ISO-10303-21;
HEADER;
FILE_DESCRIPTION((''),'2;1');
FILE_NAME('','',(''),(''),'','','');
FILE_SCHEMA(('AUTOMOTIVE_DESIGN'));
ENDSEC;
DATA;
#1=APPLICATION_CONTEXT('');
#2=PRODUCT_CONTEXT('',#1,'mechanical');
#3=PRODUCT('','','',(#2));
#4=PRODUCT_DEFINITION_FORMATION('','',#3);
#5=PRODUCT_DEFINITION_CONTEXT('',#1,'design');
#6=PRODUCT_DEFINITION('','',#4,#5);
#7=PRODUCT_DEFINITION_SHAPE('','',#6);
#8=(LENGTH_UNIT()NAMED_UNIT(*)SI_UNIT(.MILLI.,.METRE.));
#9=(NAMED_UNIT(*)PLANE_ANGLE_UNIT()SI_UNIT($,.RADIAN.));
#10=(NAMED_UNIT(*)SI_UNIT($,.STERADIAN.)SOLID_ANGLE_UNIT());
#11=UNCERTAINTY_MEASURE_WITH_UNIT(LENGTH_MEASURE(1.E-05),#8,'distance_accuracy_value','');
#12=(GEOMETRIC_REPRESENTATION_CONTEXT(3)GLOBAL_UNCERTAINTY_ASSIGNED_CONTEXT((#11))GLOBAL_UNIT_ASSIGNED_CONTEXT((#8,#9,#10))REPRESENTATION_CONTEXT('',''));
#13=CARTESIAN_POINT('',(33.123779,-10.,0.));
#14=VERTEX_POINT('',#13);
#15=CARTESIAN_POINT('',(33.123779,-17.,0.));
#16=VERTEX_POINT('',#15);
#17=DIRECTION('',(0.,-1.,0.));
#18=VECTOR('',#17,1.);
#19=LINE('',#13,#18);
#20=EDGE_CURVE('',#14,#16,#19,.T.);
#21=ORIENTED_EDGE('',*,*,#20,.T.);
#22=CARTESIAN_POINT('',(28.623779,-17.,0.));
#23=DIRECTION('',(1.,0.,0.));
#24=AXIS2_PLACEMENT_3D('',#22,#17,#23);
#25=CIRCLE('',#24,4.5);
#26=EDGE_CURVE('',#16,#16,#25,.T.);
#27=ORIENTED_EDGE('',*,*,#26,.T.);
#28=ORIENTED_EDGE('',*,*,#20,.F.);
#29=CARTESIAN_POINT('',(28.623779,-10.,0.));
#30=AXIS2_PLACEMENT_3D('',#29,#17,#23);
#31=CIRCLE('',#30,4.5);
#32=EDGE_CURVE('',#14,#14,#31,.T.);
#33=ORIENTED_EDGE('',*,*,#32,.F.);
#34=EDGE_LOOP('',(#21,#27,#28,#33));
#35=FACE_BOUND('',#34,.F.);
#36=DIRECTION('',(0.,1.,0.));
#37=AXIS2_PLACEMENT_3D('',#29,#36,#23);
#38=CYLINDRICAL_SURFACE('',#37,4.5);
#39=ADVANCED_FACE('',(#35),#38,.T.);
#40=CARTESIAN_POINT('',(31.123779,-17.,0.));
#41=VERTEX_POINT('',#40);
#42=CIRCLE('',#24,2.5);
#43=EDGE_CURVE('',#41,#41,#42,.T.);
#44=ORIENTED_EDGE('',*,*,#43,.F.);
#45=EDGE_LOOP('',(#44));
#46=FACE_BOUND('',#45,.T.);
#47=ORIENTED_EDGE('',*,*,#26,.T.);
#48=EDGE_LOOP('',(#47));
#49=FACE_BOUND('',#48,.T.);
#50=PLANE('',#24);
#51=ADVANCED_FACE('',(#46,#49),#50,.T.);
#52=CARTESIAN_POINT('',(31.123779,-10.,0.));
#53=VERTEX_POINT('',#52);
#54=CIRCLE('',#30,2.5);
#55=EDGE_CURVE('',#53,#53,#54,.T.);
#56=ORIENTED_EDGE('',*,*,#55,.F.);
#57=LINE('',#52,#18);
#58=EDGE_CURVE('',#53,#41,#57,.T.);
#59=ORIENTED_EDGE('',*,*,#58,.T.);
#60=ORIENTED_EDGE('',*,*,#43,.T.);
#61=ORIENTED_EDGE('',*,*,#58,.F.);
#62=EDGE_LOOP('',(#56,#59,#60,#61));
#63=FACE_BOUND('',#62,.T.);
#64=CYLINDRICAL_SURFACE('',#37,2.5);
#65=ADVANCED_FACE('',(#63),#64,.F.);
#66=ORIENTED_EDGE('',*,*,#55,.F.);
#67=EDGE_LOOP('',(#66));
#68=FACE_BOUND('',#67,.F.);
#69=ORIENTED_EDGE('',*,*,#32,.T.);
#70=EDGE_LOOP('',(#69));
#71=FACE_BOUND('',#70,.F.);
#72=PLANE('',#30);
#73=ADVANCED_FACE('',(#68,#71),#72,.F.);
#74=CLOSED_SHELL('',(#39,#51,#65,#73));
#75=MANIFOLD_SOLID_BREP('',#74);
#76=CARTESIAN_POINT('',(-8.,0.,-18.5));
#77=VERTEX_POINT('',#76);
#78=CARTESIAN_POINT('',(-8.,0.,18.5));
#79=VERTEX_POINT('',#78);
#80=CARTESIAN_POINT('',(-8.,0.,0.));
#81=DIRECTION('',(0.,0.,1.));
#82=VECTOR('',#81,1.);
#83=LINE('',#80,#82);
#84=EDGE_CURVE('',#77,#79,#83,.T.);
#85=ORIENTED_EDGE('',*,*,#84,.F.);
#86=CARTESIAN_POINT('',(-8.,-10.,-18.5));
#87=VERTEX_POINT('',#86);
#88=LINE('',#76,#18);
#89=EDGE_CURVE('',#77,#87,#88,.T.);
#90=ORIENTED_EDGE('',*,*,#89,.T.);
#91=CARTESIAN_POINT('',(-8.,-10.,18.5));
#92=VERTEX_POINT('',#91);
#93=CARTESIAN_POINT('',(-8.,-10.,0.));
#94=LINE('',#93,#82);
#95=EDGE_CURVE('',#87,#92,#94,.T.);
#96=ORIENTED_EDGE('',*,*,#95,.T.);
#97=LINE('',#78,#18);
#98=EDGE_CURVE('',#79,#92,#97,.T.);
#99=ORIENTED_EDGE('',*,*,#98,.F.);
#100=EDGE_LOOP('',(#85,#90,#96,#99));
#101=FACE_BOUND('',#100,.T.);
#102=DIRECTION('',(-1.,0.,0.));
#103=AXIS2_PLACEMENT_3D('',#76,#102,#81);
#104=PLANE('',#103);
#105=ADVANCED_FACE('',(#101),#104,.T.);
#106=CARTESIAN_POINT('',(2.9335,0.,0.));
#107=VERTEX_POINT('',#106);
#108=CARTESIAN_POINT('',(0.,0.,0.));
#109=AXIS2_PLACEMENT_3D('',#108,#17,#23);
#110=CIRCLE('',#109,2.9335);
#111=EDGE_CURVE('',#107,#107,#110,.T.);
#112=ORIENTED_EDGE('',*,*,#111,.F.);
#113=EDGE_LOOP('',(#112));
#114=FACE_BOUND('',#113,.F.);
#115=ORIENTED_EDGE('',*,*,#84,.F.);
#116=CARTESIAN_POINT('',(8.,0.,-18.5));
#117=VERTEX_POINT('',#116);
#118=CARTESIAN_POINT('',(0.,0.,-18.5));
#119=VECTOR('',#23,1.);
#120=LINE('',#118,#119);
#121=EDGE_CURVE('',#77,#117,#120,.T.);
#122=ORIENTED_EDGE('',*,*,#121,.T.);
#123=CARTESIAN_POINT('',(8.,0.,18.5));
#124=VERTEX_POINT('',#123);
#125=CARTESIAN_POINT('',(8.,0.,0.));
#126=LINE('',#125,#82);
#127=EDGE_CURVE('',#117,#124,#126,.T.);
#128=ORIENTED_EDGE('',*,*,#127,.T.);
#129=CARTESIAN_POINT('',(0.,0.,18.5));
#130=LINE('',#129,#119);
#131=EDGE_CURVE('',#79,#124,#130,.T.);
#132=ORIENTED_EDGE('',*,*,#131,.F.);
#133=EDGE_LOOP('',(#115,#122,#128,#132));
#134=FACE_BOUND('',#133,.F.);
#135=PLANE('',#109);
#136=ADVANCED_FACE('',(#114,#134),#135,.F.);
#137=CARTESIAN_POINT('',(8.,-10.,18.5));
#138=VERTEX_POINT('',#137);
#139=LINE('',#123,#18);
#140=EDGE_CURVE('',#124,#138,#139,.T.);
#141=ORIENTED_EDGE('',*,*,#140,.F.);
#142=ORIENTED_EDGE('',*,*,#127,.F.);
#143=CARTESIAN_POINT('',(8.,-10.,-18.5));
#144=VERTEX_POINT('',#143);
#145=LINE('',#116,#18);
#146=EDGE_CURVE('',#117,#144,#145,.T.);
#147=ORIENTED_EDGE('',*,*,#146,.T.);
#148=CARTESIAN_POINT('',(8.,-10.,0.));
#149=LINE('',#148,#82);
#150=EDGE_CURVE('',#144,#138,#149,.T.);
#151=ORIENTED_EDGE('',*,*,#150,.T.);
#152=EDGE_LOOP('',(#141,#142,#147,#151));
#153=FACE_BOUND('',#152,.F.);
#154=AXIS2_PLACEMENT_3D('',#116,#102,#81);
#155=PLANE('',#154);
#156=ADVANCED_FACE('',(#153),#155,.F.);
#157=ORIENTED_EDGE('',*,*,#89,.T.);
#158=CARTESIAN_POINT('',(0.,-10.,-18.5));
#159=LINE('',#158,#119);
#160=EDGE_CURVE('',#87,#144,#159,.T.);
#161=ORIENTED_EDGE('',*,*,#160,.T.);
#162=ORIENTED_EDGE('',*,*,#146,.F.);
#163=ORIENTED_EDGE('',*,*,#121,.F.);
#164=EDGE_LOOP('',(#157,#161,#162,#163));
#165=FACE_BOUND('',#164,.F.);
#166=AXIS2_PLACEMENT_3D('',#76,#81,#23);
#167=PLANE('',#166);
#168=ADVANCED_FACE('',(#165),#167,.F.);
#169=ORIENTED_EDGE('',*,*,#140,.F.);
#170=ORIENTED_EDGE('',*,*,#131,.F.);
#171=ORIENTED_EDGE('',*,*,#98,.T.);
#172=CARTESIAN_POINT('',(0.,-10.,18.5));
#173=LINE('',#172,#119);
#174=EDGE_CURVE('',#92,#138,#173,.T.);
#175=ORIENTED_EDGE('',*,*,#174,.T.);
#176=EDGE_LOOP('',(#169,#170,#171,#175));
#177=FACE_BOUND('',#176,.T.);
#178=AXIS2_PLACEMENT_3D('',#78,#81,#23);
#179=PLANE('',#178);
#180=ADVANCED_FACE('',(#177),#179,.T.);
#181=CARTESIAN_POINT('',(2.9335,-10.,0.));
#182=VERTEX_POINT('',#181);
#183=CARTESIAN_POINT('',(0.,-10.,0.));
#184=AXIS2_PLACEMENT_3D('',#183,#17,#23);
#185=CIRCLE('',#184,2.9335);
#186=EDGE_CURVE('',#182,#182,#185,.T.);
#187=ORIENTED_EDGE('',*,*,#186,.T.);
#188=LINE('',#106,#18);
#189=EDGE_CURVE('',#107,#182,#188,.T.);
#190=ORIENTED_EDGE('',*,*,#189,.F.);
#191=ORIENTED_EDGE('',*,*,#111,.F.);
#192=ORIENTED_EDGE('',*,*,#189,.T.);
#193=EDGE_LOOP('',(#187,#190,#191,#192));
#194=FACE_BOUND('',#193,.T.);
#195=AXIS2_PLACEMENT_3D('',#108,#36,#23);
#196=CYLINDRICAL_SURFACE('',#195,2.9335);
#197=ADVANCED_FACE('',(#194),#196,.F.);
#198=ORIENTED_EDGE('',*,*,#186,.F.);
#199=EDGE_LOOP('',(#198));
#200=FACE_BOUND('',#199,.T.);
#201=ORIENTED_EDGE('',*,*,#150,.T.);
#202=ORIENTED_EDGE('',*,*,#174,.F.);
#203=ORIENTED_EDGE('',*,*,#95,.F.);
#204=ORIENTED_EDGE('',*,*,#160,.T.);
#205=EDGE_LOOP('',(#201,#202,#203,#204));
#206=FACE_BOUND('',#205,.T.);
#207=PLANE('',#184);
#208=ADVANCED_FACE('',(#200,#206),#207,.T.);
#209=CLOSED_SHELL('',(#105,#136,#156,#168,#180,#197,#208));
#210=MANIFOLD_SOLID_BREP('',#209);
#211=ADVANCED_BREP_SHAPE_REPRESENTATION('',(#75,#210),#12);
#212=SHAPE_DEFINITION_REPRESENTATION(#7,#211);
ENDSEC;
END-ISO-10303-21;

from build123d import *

# Parameters (mm, degrees)
F0_W     = 16
F0_H     = 37
F0_R     = 2.9335
F1_DEPTH = 10
F2_R     = 4.5
F2_R_2   = 2.5
F3_DEPTH = 7


with BuildPart() as f1:
    # F0 (on Front) → F1 (new body)
    with BuildSketch(Plane.XZ):
        Rectangle(F0_W, F0_H)
        Circle(F0_R, mode=Mode.SUBTRACT)
    extrude(amount=F1_DEPTH)


with BuildPart() as f3:
    # F2 (on face) → F3 (new body)
    with BuildSketch(Plane.XZ.offset(10)):
        with Locations((28.623779, 0)):
            Circle(F2_R)
        with Locations((28.623779, 0)):
            Circle(F2_R_2, mode=Mode.SUBTRACT)
    extrude(amount=F3_DEPTH)


solid = Compound([f1.part, f3.part])
